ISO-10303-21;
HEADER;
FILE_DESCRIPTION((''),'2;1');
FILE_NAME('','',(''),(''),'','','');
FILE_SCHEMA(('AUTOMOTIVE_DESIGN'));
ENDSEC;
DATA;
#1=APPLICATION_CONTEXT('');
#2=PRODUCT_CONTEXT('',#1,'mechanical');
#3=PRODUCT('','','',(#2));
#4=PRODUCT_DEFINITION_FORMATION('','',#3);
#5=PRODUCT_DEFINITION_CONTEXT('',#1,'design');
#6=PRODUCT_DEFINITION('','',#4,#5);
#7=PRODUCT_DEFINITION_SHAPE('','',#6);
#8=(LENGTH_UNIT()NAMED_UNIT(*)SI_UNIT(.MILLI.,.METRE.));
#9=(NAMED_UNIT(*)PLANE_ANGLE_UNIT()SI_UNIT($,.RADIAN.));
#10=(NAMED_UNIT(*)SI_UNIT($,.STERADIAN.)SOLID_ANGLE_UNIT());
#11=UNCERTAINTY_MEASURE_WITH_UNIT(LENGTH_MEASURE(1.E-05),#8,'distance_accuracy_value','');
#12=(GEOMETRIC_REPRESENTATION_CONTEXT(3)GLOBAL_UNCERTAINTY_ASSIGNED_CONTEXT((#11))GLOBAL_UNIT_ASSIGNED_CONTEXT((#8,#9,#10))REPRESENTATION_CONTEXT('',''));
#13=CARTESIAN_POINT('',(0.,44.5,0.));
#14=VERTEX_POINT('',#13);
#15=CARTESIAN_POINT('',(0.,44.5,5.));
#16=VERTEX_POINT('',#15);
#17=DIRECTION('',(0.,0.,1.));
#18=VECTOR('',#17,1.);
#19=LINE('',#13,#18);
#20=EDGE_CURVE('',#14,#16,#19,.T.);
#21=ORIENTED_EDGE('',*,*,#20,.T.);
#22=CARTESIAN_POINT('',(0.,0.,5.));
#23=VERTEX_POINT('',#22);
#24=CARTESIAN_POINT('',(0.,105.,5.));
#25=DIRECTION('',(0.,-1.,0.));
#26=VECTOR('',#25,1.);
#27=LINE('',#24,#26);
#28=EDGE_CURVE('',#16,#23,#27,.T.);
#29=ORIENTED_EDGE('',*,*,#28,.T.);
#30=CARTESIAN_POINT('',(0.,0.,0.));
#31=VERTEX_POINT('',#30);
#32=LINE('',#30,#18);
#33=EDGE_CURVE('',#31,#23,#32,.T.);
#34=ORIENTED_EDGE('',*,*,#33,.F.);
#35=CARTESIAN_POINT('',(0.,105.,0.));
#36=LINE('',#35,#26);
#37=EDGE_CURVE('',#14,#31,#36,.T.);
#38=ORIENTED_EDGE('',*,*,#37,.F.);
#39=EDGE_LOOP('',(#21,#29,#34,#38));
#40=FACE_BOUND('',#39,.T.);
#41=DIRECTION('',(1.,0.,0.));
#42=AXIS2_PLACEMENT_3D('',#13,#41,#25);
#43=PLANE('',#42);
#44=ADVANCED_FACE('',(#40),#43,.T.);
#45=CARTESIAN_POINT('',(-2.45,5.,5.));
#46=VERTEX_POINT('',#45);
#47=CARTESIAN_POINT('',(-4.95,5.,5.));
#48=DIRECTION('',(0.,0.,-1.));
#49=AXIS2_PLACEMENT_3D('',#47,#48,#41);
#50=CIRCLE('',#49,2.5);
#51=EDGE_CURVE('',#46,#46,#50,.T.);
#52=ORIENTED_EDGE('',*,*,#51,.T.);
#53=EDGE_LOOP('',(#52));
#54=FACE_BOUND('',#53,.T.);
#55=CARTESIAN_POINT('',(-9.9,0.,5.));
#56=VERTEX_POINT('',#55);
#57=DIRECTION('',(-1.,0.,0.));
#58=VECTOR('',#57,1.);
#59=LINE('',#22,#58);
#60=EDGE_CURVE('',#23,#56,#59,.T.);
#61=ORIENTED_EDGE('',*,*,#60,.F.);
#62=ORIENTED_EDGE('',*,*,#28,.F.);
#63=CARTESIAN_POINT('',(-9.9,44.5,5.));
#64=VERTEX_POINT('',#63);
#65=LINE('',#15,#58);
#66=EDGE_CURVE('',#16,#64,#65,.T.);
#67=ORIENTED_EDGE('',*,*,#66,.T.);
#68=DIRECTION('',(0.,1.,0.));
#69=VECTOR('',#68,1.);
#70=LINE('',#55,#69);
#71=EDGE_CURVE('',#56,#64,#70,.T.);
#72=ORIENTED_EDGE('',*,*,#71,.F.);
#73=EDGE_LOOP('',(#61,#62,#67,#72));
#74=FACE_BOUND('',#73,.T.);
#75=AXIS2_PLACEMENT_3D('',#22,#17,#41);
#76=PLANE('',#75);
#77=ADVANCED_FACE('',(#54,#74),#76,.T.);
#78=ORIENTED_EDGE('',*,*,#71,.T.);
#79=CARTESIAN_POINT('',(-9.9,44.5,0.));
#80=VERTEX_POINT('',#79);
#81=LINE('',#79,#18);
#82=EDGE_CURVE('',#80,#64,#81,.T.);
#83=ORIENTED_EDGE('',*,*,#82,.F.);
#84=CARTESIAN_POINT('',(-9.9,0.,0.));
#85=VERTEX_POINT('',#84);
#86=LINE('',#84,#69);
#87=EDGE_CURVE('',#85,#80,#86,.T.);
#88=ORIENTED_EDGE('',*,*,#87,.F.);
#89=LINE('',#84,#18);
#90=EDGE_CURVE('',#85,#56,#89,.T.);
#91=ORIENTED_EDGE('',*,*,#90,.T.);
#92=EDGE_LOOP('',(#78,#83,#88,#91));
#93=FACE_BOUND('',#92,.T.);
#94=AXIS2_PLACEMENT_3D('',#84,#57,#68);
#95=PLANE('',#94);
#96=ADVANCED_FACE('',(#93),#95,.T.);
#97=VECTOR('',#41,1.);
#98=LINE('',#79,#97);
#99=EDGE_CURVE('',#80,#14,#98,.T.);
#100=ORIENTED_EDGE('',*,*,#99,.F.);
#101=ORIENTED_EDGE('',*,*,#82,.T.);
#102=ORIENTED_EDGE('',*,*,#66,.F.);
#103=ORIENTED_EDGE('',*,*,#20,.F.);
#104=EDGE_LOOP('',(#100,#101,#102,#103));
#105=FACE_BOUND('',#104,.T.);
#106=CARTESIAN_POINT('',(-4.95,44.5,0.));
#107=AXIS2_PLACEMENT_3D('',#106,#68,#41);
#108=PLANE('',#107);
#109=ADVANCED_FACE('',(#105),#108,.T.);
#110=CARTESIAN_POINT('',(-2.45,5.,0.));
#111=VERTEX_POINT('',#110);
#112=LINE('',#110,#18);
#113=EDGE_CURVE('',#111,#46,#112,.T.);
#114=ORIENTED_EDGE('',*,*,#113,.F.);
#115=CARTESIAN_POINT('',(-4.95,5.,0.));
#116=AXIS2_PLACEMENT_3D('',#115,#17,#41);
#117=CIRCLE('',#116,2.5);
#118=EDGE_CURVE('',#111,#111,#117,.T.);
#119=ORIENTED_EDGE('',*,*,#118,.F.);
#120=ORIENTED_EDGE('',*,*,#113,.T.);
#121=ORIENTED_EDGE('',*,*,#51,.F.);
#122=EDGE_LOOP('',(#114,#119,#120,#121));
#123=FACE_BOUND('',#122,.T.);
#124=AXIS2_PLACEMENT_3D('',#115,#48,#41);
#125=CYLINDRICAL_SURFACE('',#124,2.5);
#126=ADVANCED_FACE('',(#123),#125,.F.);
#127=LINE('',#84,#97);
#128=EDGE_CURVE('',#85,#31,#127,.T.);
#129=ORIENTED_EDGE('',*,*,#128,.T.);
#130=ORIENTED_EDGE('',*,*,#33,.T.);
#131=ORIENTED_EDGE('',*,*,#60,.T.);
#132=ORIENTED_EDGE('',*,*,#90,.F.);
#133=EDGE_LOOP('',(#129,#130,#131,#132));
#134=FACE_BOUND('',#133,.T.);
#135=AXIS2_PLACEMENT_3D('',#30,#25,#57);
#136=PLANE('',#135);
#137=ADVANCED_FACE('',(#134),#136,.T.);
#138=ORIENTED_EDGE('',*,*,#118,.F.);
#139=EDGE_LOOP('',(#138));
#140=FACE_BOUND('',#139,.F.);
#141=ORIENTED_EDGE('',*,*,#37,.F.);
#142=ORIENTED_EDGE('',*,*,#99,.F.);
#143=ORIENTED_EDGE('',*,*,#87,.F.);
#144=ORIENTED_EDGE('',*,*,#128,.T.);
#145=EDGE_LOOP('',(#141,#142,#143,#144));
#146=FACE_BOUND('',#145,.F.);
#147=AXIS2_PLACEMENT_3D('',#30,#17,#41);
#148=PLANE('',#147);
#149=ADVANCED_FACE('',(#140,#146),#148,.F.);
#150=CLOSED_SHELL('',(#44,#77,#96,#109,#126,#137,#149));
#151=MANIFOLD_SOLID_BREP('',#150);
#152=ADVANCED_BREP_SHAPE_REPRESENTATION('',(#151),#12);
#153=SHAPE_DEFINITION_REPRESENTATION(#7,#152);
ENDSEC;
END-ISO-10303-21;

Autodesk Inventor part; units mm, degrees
ref_plane "YZ Plane" through (0, 0, 0) normal (1, 0, 0) x (0, 1, 0)
ref_plane "XZ Plane" through (0, 0, 0) normal (0, 1, 0) x (-1, 0, 0)
ref_plane "XY Plane" through (0, 0, 0) normal (0, 0, 1) x (1, 0, 0)
sketch "Sketch2" plane through (0, 0, 0) normal (0, 0, 1) x (1, 0, 0)
  line L0 (0, 0) -> (-9.9, 0)
  line L1 (-9.9, 0) -> (-9.9, 105)
  line L2 (-9.9, 105) -> (0, 105)
  line L3 (0, 105) -> (0, 0)
  line L4 (-4.95, 0) -> (-4.95, 2.5)
  line L5 (-4.95, 0) -> (-2.45, 0) construction
  circle A0 centre (-4.95, 5) radius 2.5
  line L6 (-4.95, 7.5) -> (-4.95, 44.5)
  line L7 (-4.95, 7.5) -> (32.05, 7.5) construction
  line L8 (-9.9, 44.5) -> (0, 44.5)
  line L9 (0, 44.5) -> (0, 0)
  line L10 (0, 0) -> (-9.9, 0)
  line L11 (-9.9, 0) -> (-9.9, 44.5)
  dimension "d35" = 5
  dimension "d4" = 9.9
  dimension "d5" = 105
  dimension "d33" = 2.5
  dimension "d34" = 90
  dimension "d36" = 37
  dimension "d37" = 90
extrude "Extrusion3" add sketch "Sketch2" along normal blind 5 contours L0 L4 A0 L6 L8 L3 | L0 L1 L8 L6 A0 L4
properties part number "Cube_Holder_EB_V1_(37mm)"
